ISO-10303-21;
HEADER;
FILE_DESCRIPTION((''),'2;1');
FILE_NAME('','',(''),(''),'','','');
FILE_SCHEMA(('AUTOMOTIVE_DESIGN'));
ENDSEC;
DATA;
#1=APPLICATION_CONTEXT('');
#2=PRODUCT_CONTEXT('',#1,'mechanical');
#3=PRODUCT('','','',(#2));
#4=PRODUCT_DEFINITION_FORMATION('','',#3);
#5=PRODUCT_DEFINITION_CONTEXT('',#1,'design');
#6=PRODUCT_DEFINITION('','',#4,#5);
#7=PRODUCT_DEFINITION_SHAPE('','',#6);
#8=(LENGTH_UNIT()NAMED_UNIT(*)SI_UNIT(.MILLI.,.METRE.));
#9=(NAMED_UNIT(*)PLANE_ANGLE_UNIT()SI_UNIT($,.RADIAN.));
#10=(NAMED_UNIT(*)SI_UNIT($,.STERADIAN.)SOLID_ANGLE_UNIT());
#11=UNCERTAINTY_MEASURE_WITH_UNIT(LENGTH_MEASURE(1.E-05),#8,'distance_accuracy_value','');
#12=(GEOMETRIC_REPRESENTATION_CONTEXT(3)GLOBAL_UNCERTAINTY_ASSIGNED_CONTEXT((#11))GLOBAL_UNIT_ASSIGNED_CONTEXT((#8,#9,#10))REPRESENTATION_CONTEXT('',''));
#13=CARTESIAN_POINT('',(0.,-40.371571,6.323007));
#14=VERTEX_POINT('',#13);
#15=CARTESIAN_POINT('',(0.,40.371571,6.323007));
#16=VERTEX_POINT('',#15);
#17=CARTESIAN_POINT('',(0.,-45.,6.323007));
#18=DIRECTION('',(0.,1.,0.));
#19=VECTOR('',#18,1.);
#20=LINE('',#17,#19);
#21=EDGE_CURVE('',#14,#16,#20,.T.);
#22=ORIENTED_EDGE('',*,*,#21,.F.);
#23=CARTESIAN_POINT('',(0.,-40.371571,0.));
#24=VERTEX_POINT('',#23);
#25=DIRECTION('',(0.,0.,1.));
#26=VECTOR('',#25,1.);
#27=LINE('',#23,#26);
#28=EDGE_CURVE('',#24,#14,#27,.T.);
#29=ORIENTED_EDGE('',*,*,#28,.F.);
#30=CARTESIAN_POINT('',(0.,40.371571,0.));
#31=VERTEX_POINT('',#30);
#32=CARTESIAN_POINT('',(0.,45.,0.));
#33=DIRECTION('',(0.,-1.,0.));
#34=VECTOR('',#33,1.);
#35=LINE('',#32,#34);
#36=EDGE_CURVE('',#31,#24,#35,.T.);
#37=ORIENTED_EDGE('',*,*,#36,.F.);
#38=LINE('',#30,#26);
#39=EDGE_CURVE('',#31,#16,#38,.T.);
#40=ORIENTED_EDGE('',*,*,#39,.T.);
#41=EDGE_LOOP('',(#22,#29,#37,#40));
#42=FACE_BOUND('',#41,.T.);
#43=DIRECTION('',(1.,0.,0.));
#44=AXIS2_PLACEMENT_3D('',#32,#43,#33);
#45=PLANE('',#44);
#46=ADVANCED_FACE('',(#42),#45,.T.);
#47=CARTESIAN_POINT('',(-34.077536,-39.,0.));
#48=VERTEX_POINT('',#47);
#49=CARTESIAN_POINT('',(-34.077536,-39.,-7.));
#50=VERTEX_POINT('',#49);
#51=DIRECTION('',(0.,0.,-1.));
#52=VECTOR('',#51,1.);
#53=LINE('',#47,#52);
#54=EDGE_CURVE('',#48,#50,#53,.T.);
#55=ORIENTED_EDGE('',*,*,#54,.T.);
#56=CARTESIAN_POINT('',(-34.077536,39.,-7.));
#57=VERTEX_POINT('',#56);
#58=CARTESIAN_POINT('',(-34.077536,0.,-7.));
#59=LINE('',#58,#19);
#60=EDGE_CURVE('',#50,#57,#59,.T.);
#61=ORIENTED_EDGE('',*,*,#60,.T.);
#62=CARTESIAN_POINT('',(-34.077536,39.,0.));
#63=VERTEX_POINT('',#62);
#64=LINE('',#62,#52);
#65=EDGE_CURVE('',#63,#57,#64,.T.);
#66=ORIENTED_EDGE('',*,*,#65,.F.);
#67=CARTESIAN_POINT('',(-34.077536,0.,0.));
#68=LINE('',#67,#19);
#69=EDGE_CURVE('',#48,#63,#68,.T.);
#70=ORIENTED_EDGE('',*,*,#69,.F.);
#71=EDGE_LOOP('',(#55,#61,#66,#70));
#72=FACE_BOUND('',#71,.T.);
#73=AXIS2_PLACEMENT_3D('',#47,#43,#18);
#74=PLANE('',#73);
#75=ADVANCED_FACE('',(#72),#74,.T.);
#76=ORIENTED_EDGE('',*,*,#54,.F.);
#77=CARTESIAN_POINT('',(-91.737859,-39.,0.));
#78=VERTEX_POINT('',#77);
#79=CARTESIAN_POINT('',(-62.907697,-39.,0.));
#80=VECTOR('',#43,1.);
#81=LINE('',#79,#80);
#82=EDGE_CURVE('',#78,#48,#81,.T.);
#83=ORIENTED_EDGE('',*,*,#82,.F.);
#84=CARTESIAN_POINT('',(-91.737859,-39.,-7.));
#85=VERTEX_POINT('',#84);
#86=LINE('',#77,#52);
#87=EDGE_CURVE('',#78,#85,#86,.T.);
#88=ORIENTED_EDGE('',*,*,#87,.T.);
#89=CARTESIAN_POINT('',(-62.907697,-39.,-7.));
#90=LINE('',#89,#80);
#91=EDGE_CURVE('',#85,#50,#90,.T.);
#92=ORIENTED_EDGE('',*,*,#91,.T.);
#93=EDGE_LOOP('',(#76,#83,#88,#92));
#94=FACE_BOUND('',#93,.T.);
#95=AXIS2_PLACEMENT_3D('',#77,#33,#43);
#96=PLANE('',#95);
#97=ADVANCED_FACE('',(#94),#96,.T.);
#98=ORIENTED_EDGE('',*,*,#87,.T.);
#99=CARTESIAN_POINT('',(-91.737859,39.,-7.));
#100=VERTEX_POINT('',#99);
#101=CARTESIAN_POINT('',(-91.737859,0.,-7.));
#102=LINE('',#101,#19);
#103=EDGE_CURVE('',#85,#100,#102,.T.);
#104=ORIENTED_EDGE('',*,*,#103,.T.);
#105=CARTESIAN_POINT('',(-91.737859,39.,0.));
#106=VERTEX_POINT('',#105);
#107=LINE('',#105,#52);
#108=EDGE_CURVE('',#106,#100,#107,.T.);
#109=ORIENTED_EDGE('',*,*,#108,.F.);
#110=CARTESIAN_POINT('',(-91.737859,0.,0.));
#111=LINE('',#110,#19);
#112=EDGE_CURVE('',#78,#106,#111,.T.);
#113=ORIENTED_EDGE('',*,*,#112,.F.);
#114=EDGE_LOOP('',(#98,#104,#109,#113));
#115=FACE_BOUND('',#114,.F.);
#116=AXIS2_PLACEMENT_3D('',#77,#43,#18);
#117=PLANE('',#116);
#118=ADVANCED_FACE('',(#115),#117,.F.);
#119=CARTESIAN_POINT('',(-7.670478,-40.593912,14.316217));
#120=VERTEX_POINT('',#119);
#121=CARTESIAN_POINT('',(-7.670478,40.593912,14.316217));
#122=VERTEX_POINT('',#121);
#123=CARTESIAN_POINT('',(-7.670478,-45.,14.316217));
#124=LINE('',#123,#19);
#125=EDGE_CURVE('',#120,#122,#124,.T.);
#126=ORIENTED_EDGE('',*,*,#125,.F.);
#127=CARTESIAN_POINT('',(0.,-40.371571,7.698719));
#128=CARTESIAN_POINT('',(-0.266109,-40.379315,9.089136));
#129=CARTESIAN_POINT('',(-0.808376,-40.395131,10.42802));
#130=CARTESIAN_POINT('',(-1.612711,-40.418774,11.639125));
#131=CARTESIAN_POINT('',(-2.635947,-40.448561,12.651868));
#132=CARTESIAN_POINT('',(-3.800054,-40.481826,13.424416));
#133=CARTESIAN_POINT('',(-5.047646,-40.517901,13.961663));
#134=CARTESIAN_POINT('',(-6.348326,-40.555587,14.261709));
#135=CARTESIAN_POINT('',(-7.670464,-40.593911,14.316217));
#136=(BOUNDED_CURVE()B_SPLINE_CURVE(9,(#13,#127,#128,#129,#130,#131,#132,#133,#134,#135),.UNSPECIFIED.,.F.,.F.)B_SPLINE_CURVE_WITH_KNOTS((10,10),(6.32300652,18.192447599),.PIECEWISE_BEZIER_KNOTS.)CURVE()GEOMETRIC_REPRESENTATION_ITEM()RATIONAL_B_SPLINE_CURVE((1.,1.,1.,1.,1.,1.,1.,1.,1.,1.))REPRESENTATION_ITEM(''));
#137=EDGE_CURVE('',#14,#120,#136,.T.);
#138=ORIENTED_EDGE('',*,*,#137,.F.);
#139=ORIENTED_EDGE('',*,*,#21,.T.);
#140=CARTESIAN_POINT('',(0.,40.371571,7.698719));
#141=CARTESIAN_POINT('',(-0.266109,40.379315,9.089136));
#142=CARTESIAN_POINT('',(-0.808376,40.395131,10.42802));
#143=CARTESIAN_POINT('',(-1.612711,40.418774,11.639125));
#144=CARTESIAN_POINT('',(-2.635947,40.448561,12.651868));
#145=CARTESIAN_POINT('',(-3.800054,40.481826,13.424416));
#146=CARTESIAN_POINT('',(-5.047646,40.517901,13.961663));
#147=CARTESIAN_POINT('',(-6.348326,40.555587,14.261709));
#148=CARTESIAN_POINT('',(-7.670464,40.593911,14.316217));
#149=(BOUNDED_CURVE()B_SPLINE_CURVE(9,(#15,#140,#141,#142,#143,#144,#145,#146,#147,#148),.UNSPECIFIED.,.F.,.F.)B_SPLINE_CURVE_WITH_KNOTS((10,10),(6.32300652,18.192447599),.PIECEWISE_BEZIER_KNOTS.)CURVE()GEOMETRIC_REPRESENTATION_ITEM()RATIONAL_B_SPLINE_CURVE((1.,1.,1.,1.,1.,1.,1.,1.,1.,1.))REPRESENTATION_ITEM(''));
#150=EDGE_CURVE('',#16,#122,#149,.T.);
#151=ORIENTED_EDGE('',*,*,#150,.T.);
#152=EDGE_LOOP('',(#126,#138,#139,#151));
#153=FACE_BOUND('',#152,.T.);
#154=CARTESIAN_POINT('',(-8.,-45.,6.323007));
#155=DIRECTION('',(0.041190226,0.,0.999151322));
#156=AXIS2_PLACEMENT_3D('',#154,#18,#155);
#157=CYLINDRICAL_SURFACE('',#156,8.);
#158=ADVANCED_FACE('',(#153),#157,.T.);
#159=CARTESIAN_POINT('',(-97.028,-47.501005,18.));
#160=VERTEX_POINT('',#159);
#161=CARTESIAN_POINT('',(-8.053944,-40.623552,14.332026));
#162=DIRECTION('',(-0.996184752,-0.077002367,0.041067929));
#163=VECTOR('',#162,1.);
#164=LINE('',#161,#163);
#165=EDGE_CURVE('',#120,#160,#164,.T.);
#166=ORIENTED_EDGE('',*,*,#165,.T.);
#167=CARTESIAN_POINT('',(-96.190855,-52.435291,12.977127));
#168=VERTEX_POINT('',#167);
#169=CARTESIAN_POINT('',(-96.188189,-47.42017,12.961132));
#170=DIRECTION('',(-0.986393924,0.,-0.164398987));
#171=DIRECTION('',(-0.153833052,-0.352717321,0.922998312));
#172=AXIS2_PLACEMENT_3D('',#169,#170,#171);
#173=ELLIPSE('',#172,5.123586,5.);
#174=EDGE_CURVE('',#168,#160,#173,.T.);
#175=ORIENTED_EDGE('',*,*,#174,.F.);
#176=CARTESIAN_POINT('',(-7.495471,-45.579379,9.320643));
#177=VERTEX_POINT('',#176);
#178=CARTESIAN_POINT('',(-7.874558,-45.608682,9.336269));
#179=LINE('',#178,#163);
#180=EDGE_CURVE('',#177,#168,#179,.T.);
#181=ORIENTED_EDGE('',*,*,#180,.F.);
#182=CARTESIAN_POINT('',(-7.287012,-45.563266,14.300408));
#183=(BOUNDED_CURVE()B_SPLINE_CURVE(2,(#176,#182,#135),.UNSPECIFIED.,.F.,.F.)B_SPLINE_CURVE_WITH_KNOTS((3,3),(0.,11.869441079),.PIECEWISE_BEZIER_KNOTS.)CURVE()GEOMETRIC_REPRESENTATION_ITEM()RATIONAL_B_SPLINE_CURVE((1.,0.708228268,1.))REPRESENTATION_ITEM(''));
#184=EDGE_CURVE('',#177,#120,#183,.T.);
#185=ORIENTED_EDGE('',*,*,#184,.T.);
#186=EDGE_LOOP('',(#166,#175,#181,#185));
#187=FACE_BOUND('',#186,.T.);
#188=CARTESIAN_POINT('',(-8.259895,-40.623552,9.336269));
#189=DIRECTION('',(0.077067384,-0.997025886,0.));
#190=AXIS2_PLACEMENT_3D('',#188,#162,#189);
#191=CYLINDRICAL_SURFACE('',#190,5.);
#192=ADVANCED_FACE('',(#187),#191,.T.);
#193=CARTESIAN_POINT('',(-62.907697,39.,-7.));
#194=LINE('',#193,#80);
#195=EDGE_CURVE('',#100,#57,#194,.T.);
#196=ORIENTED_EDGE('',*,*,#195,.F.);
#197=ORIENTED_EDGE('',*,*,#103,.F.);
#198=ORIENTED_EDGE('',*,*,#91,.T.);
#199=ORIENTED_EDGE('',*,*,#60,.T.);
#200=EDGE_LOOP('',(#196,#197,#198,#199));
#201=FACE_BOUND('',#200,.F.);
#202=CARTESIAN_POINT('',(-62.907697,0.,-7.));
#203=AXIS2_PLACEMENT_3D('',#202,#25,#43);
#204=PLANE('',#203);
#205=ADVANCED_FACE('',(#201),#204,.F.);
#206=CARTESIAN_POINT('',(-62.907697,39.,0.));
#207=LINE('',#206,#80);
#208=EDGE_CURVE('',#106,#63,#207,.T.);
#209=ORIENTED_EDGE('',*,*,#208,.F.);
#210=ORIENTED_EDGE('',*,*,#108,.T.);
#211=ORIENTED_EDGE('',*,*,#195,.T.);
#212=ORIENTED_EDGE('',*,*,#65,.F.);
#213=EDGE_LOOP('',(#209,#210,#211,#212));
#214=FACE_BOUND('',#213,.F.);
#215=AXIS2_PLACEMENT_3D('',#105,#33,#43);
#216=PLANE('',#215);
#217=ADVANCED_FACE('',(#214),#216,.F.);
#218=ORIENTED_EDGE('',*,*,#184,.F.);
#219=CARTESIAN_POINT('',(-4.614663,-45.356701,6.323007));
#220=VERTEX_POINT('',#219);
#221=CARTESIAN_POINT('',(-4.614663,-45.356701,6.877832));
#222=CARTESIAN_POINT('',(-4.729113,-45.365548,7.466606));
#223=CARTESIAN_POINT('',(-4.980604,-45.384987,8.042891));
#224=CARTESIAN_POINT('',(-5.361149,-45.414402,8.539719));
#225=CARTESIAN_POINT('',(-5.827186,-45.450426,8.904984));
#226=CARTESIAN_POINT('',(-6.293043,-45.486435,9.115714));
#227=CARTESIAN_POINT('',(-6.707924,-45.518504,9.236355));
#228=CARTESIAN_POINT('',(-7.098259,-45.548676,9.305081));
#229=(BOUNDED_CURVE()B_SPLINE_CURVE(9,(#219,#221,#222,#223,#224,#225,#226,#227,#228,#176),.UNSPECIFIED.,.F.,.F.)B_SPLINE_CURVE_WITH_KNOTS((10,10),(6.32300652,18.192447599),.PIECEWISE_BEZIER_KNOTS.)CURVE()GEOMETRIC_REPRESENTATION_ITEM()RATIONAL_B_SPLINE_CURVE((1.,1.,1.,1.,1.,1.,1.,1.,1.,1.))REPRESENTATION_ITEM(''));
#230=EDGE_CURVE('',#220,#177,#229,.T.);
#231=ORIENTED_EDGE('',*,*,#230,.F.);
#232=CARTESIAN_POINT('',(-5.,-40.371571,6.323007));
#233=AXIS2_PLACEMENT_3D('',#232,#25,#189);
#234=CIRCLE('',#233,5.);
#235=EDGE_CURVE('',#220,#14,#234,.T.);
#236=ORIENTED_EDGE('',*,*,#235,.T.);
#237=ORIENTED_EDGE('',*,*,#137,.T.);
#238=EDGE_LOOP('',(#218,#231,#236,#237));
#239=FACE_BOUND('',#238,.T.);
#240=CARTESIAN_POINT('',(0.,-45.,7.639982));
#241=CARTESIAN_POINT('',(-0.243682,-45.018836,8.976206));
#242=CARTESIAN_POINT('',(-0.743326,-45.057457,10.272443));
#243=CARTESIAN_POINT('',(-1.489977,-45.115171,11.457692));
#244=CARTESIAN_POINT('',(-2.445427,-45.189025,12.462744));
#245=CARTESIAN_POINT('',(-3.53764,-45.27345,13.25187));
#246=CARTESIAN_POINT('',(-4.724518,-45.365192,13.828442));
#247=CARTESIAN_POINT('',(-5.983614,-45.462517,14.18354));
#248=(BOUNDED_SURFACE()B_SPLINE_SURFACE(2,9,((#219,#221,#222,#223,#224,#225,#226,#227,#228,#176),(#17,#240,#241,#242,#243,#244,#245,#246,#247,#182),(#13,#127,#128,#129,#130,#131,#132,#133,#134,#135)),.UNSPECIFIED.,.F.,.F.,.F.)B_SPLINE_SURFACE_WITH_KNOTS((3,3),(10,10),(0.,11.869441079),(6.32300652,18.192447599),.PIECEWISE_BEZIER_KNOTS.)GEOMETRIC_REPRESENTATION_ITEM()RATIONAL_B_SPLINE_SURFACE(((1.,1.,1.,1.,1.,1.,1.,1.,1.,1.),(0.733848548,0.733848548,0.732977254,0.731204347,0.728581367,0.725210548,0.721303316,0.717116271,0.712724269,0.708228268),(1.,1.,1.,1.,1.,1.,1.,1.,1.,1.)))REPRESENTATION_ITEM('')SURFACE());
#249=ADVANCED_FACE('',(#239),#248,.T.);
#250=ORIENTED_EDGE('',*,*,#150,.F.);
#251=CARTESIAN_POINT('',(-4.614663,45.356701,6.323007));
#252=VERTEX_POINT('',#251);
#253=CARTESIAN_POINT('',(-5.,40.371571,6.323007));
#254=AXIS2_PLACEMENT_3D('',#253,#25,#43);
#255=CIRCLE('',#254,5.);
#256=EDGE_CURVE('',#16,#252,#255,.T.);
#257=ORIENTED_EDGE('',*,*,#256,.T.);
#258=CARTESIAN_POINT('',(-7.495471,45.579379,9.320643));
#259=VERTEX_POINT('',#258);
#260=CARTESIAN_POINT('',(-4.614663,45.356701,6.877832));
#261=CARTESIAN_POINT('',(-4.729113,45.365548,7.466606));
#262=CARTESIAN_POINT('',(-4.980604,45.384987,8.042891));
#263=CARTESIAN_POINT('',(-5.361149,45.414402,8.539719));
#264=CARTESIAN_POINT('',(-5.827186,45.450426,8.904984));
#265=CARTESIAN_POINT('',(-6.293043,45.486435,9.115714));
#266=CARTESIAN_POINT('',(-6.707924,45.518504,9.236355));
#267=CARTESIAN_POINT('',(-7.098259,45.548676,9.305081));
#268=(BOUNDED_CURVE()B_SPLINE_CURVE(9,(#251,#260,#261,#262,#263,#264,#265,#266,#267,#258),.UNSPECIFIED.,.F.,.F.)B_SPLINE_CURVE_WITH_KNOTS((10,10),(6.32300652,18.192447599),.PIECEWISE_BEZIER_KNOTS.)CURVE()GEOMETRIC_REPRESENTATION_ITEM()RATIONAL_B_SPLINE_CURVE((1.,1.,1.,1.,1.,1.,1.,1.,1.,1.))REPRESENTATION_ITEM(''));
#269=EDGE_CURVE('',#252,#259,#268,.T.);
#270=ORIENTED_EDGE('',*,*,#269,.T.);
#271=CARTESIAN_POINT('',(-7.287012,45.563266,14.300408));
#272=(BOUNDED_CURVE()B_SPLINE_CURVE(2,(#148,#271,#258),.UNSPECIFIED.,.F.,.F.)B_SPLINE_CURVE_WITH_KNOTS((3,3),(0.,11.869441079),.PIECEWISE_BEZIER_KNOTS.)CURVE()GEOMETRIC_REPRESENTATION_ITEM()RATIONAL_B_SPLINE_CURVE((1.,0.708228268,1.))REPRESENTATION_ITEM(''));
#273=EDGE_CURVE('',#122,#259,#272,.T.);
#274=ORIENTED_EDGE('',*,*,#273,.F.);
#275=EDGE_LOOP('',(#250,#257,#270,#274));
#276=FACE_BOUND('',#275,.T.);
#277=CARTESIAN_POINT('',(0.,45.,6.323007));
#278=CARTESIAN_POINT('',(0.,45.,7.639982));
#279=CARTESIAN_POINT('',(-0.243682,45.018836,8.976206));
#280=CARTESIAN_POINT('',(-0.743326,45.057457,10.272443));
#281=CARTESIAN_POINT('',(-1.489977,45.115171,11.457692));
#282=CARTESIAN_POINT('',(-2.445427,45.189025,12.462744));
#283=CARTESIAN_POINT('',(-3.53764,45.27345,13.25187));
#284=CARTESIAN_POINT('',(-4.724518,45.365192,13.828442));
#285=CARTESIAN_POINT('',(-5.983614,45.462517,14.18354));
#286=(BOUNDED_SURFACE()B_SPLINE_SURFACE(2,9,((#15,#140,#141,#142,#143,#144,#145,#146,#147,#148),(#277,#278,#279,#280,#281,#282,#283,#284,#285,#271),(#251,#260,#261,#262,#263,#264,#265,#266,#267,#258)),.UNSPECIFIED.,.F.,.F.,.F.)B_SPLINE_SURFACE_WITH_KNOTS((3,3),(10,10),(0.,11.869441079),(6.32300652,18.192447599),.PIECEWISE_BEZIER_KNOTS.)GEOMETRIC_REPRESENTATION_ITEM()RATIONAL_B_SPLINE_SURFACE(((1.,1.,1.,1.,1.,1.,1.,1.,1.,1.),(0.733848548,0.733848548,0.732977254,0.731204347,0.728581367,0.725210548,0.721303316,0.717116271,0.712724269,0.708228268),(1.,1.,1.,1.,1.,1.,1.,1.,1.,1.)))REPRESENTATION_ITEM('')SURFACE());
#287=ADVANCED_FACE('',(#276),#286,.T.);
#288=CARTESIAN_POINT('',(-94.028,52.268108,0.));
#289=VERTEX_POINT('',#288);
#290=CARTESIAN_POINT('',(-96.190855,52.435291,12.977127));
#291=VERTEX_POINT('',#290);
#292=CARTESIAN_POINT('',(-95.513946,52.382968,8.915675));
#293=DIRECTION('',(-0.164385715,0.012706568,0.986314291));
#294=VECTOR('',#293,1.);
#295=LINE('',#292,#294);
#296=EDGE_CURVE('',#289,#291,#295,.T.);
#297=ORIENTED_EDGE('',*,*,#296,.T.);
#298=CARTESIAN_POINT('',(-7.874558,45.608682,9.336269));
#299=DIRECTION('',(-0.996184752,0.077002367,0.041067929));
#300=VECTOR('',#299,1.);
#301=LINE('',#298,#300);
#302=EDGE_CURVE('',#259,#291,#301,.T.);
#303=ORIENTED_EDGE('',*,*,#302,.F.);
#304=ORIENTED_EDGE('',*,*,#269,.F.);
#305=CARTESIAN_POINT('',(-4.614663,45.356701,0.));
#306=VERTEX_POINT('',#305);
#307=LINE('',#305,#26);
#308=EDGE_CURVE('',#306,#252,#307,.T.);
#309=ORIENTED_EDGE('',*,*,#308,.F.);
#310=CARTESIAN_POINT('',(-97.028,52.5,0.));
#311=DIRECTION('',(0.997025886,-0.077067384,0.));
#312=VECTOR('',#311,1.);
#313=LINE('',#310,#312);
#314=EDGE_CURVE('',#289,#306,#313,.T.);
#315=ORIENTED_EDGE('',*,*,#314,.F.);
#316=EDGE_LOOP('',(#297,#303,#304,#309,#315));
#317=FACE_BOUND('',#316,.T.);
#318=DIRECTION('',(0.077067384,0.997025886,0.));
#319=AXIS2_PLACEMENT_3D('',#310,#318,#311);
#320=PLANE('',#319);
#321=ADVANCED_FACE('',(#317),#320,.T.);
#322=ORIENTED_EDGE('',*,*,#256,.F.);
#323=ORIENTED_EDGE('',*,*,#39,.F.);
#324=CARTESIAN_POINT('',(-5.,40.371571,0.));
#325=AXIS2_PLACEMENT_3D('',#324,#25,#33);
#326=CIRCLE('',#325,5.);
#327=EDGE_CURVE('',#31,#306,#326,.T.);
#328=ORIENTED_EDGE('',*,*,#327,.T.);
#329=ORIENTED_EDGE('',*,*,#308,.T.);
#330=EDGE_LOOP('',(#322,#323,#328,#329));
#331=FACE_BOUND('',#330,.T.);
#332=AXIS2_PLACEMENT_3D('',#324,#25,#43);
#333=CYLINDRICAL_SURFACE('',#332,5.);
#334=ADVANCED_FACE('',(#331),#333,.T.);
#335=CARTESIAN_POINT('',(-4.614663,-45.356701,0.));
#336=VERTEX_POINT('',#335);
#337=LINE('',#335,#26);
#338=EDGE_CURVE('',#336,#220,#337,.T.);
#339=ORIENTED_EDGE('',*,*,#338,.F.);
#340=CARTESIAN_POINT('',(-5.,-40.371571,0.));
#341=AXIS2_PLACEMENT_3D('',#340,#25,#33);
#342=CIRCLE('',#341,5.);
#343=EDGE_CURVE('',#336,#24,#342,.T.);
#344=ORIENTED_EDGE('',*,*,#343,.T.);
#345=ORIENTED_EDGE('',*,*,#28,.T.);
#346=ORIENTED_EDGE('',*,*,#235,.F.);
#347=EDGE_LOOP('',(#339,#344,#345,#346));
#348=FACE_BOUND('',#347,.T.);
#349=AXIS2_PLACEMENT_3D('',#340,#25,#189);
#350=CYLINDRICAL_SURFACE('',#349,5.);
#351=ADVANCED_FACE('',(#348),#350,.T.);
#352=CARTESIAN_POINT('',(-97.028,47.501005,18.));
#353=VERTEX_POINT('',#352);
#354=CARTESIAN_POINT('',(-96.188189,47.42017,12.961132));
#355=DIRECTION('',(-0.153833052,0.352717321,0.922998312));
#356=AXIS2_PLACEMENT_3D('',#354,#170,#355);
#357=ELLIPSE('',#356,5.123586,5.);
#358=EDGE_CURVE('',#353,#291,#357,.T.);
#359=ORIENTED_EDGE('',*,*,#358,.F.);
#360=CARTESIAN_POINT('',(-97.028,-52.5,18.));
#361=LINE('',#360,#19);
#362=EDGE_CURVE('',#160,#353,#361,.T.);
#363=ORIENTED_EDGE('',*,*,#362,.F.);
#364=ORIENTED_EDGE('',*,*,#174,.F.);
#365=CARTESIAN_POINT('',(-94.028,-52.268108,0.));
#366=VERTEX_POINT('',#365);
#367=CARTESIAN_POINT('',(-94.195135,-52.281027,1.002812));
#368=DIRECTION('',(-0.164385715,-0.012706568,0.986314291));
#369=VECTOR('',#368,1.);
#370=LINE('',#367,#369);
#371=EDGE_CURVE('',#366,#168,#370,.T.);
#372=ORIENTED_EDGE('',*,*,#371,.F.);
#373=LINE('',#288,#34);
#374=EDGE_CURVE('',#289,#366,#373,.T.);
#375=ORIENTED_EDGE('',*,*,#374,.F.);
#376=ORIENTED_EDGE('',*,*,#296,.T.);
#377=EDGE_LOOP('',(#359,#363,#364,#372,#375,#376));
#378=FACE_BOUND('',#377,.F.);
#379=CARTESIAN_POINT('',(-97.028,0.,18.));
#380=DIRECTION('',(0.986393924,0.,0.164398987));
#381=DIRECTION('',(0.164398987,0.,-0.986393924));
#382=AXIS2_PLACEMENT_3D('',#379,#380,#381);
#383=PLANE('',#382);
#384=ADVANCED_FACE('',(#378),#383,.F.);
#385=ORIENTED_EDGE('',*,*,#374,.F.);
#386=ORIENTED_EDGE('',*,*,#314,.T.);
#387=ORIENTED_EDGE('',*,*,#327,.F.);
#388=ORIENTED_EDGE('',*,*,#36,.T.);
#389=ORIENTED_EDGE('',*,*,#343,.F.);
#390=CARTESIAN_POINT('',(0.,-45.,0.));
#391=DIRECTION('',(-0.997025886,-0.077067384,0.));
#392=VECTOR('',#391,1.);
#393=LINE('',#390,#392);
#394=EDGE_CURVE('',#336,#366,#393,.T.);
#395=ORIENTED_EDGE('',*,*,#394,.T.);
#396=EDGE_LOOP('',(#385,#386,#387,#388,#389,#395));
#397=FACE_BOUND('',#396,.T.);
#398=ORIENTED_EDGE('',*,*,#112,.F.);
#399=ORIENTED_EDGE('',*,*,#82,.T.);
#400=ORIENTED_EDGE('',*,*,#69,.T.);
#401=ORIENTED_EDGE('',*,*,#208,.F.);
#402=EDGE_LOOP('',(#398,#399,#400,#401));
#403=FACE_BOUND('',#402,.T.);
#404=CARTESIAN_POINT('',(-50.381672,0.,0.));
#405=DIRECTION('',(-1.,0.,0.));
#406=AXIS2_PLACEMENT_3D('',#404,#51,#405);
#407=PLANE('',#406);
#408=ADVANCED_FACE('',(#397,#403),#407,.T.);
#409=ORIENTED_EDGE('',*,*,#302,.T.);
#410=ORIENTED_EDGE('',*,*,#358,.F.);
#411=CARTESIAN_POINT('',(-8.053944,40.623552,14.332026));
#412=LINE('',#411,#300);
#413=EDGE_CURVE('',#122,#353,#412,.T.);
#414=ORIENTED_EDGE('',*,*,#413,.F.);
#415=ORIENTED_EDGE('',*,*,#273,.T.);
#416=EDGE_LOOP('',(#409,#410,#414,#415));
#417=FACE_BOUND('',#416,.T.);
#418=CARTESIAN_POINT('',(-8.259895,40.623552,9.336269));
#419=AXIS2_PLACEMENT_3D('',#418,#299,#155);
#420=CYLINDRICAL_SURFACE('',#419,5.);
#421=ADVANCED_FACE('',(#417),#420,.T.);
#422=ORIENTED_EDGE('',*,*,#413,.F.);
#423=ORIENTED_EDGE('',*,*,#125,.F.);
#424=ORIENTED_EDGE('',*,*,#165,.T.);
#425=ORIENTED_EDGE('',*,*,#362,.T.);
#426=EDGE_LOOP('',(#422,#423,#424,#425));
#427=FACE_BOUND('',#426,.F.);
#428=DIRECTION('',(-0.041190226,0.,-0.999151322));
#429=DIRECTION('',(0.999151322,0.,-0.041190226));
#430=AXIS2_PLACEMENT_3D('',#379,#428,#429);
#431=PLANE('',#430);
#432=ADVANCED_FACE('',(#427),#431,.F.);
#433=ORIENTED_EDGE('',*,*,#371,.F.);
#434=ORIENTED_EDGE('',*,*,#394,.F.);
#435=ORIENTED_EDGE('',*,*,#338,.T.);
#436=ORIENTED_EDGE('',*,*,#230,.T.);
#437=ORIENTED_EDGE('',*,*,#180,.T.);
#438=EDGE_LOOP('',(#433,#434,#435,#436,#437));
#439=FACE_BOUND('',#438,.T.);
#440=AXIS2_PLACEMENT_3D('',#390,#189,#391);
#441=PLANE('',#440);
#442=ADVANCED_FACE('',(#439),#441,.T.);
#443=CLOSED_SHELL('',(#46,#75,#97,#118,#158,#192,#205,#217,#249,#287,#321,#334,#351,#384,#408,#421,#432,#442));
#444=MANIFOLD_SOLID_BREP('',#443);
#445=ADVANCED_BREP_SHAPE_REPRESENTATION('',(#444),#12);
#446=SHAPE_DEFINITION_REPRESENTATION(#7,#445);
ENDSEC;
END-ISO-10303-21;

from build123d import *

# Parameters (mm, degrees)
PAD_DEPTH            = 18
POCKET_DEPTH         = 52.501
POCKET_DEPTH_BACK    = -52.501
POCKET001_DEPTH      = 52.501
POCKET001_DEPTH_BACK = -52.501
SKETCH003_W          = 57.660323
SKETCH003_H          = 78
PAD001_DEPTH         = 7
FILLET_R             = 8
FILLET001_R          = 5


with BuildPart() as part:
    # Sketch → Pad (new body)
    with BuildSketch(Plane.XY):
        Polygon((-97.028, -52.5), (-97.028, 52.5), (0, 45), (0, -45), align=None)
    extrude(amount=PAD_DEPTH)

    # Sketch001 → Pocket (cut, two sides)
    with BuildSketch(Plane(origin=(-97.028, 0, 0), x_dir=(1, 0, 0), z_dir=(0, -1, 0))) as pocket_sk:
        Polygon((0, 18), (3, 0), (0, 0), align=None)
    extrude(amount=-POCKET_DEPTH, mode=Mode.SUBTRACT)
    extrude(pocket_sk.sketch, amount=-POCKET_DEPTH_BACK, mode=Mode.SUBTRACT)

    # Sketch002 → Pocket001 (cut, two sides)
    with BuildSketch(Plane.XZ) as pocket001_sk:
        Polygon((-97.028, 18), (0, 14), (0, 18), align=None)
    extrude(amount=-POCKET001_DEPTH, mode=Mode.SUBTRACT)
    extrude(pocket001_sk.sketch, amount=-POCKET001_DEPTH_BACK, mode=Mode.SUBTRACT)

    # Sketch003 → Pad001 (join)
    with BuildSketch(Plane.XY):
        with Locations((-62.907697, 0)):
            Rectangle(SKETCH003_W, SKETCH003_H)
    extrude(amount=-PAD001_DEPTH)

    # Fillet
    fillet_edges = [part.edges().sort_by_distance(p)[0] for p in [
        (0, 0, 14),
    ]]
    fillet(fillet_edges, radius=FILLET_R)

    # Fillet001
    fillet001_edges = [part.edges().sort_by_distance(p)[0] for p in [
        (-52.349239, -49.046454, 16.158109),
        (-52.349239, 49.046454, 16.158109),
    ]]
    fillet(fillet001_edges, radius=FILLET001_R)


solid = part.part
